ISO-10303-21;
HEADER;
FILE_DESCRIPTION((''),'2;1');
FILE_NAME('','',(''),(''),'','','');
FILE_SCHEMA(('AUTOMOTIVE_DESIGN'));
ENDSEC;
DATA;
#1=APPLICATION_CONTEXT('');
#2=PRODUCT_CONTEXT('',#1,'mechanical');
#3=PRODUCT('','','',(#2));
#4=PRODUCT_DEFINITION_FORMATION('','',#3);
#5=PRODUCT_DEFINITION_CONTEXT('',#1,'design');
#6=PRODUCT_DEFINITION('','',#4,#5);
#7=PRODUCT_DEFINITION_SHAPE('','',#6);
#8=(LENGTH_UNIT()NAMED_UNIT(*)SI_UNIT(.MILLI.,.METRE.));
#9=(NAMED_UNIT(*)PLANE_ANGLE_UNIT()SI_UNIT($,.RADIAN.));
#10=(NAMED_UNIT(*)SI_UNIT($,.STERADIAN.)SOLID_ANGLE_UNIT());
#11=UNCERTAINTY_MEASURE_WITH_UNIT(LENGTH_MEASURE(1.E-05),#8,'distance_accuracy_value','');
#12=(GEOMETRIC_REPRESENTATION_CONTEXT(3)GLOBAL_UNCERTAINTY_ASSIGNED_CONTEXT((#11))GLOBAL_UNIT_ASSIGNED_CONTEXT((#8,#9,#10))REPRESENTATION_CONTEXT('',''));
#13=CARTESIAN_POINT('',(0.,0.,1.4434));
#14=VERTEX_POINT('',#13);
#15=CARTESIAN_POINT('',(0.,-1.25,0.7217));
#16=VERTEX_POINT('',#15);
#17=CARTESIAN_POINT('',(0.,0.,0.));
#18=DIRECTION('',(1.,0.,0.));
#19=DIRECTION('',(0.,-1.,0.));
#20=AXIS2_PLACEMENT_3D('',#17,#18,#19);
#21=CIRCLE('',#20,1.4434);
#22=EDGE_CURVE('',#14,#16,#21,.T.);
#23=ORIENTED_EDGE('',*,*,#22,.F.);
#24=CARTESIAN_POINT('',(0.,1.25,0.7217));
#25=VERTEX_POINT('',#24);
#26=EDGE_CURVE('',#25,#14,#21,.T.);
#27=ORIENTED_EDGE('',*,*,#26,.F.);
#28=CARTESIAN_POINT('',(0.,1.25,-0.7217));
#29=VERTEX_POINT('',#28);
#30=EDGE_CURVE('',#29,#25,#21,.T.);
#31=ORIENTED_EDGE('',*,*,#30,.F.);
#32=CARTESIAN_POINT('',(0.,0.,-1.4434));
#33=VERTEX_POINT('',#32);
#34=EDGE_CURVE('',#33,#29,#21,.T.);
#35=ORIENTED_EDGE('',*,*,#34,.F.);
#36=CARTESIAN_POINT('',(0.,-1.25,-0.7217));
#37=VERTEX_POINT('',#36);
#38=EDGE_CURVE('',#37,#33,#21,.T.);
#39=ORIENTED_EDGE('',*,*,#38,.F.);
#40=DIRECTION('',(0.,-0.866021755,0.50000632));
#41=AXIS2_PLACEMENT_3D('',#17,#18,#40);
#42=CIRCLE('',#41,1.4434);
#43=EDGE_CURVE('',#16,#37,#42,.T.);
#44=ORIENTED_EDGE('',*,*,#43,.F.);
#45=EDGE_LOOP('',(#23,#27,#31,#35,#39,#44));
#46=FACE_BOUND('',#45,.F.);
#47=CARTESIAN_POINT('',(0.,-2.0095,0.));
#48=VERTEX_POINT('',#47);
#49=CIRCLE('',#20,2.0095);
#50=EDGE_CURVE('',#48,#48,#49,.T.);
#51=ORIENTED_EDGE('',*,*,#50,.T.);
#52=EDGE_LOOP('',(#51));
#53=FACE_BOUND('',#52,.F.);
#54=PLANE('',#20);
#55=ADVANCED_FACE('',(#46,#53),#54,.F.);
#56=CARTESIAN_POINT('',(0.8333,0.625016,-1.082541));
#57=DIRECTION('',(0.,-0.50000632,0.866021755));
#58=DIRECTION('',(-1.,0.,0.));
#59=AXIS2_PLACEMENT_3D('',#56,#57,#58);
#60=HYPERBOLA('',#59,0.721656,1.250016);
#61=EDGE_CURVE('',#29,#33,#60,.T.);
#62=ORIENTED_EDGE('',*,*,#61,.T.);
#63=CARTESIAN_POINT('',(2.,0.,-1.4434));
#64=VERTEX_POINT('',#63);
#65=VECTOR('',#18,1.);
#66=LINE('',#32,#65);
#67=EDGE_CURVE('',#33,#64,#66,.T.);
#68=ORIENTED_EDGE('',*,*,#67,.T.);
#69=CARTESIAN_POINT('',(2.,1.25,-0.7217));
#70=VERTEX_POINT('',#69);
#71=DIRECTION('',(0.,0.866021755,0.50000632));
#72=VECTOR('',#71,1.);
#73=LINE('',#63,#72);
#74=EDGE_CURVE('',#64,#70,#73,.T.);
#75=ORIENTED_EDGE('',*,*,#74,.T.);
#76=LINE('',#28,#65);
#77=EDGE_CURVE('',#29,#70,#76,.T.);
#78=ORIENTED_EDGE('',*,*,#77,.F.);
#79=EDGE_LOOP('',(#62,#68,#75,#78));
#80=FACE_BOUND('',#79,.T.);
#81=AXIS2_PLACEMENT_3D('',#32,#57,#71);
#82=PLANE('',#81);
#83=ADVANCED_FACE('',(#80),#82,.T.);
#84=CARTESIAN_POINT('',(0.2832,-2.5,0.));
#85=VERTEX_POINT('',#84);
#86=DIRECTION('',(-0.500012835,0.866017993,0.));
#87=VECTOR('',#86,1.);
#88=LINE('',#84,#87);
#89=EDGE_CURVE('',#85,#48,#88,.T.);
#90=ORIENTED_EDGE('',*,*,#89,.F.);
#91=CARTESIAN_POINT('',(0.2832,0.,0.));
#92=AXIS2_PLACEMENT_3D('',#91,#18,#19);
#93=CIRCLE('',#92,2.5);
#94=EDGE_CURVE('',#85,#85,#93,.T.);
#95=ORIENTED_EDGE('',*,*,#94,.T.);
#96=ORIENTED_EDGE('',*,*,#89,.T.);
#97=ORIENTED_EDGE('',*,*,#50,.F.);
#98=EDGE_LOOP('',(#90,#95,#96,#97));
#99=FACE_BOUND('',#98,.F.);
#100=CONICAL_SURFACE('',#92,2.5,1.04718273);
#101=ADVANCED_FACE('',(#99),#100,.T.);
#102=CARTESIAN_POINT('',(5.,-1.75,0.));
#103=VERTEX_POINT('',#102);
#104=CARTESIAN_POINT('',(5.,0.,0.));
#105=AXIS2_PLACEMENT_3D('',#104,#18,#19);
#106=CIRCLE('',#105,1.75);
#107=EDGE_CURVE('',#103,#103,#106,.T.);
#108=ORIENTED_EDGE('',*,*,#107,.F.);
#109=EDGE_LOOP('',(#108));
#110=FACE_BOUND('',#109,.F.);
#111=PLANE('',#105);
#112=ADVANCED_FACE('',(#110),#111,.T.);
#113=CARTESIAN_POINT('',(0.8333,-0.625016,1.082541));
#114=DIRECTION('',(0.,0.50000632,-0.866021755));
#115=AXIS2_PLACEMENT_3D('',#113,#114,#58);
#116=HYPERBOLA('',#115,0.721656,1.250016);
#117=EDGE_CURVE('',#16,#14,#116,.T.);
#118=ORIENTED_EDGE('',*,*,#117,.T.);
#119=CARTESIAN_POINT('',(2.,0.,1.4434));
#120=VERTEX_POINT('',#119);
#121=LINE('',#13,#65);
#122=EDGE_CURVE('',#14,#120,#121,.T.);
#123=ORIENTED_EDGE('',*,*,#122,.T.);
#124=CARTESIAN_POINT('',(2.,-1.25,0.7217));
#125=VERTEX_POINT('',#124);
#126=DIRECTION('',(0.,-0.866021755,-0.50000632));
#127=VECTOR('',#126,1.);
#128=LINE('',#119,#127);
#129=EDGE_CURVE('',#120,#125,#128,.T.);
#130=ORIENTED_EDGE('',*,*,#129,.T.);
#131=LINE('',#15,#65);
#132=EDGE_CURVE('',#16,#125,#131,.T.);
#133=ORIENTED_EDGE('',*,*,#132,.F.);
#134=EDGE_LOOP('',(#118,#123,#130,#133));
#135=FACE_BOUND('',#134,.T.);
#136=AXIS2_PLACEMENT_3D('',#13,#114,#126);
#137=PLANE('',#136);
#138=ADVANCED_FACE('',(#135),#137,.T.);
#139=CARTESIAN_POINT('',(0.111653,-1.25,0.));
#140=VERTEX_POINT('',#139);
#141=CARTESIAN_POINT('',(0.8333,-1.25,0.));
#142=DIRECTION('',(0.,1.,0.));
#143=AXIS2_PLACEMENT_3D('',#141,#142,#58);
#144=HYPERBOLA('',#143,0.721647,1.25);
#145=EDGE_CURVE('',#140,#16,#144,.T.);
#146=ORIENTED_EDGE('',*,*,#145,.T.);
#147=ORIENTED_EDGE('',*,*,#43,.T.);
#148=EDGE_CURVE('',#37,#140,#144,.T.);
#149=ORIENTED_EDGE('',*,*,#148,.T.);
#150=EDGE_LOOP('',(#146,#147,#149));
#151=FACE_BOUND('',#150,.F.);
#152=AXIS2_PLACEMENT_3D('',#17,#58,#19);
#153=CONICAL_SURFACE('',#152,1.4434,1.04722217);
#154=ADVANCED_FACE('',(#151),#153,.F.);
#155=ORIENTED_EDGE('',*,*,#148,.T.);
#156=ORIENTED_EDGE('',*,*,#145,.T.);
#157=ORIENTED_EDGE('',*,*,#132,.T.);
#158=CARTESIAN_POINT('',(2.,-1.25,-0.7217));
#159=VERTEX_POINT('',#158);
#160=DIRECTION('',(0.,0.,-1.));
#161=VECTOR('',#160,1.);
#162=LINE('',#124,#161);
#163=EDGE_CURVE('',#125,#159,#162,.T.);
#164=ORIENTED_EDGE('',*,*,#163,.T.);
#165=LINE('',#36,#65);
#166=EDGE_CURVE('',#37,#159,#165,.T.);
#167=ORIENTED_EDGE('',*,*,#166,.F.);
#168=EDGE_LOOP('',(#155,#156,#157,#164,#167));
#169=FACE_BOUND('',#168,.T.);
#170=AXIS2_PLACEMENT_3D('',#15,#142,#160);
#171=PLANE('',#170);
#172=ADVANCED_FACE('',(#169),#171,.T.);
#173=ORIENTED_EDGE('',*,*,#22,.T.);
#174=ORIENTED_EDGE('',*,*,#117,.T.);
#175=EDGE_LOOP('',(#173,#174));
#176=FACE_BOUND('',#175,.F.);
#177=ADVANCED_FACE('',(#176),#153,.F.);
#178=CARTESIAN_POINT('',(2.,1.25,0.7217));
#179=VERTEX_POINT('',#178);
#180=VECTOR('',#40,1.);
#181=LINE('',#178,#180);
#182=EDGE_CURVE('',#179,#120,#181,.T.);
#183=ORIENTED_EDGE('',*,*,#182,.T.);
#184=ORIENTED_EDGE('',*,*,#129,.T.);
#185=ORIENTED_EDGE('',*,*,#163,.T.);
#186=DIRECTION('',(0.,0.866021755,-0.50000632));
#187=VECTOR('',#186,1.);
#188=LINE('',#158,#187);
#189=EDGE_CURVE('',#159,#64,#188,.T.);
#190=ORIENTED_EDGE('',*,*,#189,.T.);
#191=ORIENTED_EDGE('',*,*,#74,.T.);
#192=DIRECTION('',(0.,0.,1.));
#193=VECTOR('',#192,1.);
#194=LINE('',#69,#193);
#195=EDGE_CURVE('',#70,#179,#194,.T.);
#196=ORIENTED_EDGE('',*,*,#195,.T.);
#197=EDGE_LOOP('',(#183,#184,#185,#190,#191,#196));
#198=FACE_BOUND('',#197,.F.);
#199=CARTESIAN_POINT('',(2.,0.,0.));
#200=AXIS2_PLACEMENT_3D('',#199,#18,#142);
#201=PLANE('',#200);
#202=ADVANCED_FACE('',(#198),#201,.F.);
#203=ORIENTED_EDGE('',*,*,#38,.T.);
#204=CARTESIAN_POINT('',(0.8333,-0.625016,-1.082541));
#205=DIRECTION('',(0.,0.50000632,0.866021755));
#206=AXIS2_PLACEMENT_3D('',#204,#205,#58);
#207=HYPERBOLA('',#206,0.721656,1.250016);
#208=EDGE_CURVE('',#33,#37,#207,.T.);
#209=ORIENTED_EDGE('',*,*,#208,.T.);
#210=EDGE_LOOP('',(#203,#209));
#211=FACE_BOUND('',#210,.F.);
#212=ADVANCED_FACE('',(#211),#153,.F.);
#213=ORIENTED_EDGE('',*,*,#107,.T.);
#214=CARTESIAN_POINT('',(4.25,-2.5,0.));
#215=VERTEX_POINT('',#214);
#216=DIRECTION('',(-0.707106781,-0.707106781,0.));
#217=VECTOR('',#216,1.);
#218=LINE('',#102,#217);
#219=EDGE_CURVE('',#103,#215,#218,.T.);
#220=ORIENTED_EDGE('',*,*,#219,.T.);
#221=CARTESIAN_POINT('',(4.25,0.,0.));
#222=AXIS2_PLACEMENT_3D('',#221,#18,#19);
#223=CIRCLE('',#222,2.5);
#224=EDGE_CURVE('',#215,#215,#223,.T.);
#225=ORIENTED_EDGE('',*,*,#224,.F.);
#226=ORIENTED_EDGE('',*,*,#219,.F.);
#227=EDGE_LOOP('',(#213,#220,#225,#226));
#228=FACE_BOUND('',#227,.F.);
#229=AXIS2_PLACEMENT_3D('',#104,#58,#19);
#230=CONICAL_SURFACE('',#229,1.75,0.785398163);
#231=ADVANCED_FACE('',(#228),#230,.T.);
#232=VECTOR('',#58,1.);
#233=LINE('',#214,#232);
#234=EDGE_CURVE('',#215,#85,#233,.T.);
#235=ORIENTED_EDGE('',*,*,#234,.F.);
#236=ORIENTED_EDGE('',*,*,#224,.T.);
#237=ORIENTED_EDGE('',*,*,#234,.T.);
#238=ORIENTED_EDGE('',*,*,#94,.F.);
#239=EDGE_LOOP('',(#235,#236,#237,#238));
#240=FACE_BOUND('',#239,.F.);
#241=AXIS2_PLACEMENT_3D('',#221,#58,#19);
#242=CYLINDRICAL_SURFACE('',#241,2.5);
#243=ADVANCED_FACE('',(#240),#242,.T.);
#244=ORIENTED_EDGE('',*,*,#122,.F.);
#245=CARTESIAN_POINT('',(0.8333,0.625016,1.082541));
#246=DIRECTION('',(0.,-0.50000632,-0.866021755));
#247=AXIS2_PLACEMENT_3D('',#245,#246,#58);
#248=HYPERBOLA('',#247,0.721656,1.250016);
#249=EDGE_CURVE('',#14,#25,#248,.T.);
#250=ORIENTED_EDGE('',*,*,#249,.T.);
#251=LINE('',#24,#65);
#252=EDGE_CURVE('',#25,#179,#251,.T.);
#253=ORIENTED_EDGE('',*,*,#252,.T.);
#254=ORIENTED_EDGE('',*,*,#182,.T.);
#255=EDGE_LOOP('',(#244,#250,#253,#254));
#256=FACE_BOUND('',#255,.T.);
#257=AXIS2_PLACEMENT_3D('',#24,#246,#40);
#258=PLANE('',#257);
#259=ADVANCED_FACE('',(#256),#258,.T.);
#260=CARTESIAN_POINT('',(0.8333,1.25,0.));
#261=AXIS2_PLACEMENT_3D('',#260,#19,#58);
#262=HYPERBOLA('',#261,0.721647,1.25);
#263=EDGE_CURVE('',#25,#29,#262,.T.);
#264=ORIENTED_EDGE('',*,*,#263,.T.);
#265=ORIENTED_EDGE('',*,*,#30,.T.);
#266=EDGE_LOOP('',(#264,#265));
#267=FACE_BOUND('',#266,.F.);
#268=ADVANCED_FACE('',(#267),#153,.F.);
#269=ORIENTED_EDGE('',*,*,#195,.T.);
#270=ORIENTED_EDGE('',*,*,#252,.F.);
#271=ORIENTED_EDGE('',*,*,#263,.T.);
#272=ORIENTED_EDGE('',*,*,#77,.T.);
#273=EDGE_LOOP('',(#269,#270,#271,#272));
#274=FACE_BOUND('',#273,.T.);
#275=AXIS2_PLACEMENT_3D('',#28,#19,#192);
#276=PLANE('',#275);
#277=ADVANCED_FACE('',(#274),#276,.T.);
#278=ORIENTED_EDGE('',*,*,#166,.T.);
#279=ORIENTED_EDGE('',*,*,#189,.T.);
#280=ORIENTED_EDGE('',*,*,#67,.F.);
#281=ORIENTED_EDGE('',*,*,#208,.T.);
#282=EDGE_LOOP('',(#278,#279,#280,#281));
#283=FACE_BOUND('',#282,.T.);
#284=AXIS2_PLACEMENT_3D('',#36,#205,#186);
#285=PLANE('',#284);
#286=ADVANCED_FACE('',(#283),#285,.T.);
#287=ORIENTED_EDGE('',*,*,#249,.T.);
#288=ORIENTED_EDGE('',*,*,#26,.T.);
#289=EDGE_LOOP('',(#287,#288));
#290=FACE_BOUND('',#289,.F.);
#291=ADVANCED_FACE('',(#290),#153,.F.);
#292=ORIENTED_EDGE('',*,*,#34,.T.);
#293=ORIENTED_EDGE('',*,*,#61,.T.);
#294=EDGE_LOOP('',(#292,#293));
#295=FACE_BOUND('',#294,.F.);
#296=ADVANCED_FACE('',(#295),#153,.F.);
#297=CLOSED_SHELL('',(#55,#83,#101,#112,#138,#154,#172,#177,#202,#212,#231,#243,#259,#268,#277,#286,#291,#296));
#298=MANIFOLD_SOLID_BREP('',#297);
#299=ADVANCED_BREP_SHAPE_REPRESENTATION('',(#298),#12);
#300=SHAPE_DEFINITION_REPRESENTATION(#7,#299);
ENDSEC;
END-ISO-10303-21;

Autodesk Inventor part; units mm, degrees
sketch "Sketch_1" plane through (0, 0, 0) normal (0, 0, 1) x (1, 0, 0)
  line L0 (0.8333, 0) -> (5, 0)
  line L1 (5, 0) -> (5, -1.75)
  line L2 (5, -1.75) -> (4.25, -2.5)
  line L3 (4.25, -2.5) -> (0.2832, -2.5)
  line L4 (0.2832, -2.5) -> (0, -2.0095)
  line L5 (0, -2.0095) -> (0, -1.4434)
  line L6 (0, -1.4434) -> (0.8333, 0)
  line L7 (0.8333, 0) -> (5, 0)
revolve "Revolution1" add sketch "Sketch_1" angle 360 about axis through (0.8333, 0, 0) along (1, 0, 0)
thread "Thread1" size "M5x0.8" class "6g" standard "ISO Metric profile" full length
sketch "Sketch_2" plane through (0, 0, 0) normal (1, 0, 0) x (0, 1, 0)
  line L0 (0, 1.4434) -> (-1.25, 0.7217)
  line L1 (-1.25, 0.7217) -> (-1.25, -0.7217)
  line L2 (-1.25, -0.7217) -> (0, -1.4434)
  line L3 (0, -1.4434) -> (1.25, -0.7217)
  line L4 (1.25, -0.7217) -> (1.25, 0.7217)
  line L5 (1.25, 0.7217) -> (0, 1.4434)
extrude "Extrusion1" cut sketch "Sketch_2" along normal blind 2
ref_plane "IP1_XY" through (0, 0, 0) normal (1, 0, 0) x (0, 0, -1)
ref_plane "IP1_YZ" through (0, 0, 0) normal (0, 0, -1) x (0, 1, 0)
ref_plane "IP1_ZX" through (0, 0, 0) normal (0, 1, 0) x (1, 0, 0)
ref_plane "IP2_XY" through (5, 0, 0) normal (1, 0, 0) x (0, 0, -1)
ref_plane "IP2_YZ" through (5, 0, 0) normal (0, 0, -1) x (0, 1, 0)
ref_plane "IP2_ZX" through (5, 0, 0) normal (0, 1, 0) x (1, 0, 0)
properties part number "DIN-913 - M5x5"
